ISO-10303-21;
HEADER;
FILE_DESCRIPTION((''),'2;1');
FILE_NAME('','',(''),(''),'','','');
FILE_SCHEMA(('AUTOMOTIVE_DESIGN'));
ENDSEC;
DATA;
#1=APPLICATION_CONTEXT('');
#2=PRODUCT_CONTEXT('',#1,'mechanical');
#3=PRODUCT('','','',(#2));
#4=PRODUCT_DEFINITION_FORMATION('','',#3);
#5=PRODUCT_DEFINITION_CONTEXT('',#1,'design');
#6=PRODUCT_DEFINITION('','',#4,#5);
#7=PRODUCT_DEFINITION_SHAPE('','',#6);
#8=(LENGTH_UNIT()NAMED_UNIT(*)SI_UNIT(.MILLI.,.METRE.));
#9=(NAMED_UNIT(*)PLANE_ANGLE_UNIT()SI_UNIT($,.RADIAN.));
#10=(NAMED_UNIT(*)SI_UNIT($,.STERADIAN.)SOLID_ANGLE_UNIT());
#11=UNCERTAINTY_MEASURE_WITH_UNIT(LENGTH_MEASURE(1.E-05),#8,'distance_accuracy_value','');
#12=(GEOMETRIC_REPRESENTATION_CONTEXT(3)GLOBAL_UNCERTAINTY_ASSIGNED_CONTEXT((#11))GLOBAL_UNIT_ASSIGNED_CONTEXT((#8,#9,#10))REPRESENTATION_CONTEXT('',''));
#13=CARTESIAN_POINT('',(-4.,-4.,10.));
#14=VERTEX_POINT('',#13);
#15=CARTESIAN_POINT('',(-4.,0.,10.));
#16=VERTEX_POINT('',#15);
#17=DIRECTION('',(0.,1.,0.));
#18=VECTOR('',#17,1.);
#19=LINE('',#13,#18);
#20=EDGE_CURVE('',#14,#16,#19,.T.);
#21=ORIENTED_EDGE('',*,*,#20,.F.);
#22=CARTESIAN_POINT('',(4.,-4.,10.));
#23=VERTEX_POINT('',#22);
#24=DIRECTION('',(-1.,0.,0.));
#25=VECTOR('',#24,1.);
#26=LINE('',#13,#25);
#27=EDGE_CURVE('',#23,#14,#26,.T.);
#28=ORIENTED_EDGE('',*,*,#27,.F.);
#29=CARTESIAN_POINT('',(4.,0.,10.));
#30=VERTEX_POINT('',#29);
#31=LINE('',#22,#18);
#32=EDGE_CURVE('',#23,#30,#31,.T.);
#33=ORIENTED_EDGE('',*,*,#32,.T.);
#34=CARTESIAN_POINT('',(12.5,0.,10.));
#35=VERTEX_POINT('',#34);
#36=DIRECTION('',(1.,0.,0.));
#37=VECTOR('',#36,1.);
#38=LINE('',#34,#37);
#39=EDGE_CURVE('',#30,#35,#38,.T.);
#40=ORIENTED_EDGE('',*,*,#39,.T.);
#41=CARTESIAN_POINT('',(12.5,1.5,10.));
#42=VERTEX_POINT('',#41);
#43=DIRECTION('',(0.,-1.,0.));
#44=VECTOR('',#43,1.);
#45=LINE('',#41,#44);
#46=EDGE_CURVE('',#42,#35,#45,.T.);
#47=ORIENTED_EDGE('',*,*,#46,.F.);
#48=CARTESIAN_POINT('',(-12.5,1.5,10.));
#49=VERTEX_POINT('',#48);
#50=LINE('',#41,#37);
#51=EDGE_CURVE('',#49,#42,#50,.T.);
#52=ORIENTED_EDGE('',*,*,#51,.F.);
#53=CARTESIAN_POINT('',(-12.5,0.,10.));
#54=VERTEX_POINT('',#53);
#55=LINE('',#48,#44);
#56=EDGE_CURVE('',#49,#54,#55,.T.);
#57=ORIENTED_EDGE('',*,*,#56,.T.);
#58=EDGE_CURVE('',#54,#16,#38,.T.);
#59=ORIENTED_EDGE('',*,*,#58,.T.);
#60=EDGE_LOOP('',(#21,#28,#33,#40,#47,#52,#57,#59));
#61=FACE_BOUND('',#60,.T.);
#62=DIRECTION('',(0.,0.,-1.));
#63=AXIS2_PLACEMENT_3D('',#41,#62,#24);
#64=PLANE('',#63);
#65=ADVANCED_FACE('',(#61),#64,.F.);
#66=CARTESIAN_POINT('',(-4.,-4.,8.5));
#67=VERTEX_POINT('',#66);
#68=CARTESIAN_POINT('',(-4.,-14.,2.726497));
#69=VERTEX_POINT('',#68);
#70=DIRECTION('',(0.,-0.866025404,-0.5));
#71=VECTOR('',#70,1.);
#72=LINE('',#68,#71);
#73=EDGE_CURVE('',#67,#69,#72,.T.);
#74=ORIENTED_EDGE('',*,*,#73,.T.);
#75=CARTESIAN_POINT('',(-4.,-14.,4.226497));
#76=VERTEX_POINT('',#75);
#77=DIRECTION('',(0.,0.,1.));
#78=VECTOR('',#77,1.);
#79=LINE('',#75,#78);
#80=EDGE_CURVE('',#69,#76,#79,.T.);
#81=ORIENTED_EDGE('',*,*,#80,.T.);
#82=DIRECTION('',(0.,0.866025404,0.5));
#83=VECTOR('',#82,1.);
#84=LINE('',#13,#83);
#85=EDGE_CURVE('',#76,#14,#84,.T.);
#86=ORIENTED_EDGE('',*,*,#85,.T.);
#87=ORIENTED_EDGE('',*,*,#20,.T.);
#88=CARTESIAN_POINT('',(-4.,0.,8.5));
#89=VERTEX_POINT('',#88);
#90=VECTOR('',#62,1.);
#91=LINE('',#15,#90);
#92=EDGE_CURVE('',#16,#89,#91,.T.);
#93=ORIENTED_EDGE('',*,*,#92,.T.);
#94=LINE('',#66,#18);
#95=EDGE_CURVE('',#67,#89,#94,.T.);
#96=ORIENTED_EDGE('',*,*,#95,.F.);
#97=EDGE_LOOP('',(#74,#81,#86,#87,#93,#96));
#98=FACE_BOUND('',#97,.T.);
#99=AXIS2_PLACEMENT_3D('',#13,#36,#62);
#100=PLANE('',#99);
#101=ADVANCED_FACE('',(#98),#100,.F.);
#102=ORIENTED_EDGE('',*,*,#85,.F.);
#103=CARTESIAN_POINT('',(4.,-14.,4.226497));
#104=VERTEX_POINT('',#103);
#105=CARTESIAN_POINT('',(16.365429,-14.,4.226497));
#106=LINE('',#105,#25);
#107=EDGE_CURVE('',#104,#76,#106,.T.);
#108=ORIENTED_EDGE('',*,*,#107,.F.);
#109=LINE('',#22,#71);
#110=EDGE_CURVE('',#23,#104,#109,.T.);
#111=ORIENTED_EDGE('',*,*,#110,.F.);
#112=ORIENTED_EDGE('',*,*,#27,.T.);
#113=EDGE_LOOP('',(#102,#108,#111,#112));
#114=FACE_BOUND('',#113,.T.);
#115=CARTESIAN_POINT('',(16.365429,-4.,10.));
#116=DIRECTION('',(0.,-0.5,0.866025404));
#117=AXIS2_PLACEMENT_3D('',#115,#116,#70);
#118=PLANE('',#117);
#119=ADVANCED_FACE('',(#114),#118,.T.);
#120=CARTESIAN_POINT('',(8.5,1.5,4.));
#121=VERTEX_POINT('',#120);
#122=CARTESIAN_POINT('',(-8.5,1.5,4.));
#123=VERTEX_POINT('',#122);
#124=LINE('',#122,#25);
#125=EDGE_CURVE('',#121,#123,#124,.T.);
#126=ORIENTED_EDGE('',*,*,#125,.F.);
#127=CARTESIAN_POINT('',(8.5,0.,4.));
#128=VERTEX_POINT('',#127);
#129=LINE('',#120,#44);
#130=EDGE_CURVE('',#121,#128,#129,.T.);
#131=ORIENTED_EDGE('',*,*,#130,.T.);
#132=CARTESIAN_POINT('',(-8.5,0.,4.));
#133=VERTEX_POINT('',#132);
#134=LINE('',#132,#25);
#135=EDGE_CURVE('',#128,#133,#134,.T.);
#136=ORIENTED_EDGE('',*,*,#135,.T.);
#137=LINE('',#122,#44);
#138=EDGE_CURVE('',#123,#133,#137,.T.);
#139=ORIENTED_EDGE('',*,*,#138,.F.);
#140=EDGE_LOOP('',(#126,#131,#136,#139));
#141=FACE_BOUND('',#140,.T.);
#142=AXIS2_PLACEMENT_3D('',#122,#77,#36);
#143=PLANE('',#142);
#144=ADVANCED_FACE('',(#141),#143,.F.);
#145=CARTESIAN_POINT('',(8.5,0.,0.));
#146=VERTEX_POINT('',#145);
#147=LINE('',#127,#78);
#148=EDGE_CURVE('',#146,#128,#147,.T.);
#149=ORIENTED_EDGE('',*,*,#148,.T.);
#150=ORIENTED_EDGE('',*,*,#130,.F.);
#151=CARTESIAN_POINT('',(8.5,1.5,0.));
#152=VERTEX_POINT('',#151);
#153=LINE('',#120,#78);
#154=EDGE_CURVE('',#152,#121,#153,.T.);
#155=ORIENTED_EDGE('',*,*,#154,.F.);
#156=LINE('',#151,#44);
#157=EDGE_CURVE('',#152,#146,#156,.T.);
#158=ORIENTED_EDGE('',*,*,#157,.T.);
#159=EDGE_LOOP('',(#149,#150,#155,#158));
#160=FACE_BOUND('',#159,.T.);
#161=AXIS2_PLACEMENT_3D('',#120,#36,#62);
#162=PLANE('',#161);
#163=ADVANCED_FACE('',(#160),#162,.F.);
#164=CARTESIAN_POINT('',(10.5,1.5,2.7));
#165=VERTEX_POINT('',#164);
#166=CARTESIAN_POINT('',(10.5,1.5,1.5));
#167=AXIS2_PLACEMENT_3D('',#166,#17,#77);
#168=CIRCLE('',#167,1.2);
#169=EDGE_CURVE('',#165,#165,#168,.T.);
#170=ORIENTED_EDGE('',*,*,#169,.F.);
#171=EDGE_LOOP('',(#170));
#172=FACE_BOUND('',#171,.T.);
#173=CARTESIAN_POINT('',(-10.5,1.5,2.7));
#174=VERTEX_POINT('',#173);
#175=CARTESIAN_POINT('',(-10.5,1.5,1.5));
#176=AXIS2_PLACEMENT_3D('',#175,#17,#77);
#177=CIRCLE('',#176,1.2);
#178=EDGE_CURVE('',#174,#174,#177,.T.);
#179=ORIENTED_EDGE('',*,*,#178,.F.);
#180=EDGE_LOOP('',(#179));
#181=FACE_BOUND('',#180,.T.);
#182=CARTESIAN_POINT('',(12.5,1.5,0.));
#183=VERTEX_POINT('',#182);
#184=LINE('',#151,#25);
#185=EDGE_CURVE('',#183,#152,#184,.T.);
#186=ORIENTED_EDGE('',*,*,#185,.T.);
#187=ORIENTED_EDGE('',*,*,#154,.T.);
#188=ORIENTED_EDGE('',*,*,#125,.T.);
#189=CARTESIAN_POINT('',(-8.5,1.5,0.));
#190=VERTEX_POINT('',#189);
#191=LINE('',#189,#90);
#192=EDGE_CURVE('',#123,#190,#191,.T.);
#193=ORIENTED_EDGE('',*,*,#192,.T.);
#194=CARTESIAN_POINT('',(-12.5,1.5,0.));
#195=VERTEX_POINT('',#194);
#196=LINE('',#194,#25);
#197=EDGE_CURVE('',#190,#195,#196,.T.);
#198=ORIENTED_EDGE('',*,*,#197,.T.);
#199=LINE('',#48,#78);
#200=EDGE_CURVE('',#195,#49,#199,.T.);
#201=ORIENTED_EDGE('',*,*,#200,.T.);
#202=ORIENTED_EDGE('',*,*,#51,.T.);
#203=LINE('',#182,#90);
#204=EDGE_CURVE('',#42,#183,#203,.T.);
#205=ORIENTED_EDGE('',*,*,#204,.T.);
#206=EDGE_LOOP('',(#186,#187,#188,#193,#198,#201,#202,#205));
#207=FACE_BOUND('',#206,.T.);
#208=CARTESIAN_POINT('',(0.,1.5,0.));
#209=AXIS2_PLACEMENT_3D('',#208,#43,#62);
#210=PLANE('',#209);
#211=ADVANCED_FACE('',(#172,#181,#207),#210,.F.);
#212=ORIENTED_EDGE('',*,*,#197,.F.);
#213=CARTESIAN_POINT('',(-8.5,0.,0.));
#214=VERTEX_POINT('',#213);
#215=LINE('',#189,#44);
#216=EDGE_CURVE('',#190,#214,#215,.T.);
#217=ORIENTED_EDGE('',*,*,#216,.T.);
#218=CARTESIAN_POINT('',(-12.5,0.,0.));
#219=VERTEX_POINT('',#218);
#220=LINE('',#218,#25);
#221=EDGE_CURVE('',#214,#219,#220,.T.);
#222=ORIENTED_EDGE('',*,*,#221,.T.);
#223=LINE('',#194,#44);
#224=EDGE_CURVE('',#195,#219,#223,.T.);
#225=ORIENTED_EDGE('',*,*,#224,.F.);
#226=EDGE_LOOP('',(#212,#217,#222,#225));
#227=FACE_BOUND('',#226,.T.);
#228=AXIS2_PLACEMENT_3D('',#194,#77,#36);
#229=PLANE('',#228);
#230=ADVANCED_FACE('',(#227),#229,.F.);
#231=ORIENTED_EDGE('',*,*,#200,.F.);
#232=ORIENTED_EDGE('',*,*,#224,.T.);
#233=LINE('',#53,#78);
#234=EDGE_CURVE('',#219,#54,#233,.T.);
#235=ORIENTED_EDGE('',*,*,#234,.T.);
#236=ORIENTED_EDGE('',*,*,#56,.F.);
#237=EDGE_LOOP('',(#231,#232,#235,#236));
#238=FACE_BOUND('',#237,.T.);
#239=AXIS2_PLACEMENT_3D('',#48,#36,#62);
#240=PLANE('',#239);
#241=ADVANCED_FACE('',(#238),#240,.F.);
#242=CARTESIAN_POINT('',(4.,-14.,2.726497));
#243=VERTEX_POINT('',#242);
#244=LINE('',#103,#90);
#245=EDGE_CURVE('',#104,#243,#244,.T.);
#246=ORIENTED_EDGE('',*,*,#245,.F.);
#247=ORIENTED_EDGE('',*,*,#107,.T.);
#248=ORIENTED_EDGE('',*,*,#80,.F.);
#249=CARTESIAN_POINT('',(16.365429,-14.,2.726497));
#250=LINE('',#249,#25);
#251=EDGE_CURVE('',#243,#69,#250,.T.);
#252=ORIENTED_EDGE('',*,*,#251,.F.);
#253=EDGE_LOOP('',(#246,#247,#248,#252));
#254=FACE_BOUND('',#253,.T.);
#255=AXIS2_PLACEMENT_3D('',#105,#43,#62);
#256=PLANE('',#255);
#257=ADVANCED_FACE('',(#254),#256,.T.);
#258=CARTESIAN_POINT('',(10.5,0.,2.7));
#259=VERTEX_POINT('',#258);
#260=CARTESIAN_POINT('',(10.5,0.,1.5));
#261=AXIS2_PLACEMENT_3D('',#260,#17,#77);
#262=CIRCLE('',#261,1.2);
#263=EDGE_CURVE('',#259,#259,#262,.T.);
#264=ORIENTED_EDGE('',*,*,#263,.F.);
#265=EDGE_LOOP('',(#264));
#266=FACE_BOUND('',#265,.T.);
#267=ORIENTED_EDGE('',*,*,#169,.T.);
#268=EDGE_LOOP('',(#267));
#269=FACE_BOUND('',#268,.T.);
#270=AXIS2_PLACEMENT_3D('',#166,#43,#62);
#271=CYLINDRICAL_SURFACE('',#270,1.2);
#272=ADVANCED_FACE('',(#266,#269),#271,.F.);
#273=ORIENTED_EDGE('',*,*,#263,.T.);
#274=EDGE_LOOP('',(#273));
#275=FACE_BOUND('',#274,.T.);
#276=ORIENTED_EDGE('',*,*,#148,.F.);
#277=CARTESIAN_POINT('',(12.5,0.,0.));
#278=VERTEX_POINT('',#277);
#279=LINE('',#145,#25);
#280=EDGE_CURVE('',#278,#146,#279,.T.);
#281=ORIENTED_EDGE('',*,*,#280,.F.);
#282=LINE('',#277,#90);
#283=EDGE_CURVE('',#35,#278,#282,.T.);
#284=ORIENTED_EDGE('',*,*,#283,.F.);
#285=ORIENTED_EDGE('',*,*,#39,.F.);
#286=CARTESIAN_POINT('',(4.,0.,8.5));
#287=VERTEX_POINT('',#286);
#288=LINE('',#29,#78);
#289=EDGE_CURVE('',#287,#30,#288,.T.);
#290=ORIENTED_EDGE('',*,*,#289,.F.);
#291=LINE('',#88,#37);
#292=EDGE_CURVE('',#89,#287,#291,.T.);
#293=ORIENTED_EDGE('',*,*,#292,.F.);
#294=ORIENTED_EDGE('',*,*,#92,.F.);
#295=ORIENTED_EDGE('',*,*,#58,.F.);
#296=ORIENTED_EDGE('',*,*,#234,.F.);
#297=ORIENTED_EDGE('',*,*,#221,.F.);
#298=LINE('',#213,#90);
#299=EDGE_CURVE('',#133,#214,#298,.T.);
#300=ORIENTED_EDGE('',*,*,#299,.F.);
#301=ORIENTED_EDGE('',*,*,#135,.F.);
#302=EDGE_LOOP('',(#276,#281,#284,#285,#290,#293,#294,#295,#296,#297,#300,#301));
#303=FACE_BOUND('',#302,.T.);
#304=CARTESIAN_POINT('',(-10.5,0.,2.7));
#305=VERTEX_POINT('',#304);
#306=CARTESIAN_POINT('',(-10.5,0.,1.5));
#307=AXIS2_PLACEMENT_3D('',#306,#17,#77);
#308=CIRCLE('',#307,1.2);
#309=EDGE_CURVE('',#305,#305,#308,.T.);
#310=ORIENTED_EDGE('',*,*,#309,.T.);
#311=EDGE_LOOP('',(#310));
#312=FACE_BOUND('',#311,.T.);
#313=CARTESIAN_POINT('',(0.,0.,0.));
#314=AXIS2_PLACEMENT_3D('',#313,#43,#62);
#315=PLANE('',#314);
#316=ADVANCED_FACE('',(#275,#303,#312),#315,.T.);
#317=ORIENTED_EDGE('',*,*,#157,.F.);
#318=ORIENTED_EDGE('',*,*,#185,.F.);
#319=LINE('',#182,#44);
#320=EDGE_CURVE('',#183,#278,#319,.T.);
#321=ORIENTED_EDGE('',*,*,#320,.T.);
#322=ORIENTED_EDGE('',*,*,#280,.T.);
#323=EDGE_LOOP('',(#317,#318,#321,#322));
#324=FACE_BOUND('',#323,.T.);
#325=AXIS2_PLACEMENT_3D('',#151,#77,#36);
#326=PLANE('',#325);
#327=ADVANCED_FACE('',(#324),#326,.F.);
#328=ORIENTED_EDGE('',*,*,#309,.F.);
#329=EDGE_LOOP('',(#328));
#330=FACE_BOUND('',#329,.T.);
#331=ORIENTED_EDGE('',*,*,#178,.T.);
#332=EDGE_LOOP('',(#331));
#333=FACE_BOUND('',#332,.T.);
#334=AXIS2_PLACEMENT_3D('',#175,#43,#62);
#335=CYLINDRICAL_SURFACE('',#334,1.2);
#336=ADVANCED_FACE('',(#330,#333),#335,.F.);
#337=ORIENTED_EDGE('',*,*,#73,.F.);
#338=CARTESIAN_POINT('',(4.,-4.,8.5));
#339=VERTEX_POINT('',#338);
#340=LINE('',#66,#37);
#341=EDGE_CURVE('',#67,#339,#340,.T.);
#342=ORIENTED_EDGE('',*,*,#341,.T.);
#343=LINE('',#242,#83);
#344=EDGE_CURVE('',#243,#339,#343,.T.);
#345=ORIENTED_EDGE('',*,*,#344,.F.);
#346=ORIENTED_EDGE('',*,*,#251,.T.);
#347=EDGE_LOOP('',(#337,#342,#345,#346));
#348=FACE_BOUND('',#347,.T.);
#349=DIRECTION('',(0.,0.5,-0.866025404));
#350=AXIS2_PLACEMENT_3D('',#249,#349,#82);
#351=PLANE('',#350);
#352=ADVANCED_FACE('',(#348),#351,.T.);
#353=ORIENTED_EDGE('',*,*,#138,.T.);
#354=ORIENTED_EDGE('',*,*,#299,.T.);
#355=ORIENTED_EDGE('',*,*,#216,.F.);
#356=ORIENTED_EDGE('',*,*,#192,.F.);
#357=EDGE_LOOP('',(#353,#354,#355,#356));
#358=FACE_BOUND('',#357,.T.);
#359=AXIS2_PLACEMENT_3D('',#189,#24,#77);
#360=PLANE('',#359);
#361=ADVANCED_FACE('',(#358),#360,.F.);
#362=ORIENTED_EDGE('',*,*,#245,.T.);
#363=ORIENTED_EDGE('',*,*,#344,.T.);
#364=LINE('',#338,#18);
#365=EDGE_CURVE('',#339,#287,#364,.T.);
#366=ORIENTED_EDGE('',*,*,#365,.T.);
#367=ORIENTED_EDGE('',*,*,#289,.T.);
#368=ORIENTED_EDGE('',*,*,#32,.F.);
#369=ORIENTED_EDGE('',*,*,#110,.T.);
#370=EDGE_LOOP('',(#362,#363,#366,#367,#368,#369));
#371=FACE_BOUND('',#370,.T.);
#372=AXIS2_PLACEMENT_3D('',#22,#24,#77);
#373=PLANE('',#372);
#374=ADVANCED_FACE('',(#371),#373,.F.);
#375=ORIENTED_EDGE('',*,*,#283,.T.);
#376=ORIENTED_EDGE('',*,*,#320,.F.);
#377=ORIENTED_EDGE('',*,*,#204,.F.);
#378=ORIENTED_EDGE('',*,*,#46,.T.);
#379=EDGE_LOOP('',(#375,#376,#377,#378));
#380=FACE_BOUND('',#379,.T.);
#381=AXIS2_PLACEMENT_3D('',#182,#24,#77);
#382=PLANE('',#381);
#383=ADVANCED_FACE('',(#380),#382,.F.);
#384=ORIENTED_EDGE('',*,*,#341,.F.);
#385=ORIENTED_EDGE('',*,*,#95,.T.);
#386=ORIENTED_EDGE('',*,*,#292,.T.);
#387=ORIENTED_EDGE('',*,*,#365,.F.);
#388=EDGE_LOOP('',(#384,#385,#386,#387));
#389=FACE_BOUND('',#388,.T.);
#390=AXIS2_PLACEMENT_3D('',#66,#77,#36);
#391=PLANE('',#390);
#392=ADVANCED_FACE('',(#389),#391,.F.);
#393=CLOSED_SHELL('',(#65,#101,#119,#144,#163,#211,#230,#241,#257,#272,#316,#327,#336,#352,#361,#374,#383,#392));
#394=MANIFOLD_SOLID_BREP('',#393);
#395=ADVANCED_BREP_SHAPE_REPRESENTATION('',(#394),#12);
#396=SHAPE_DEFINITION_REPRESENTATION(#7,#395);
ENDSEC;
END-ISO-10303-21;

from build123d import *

# Parameters (mm, degrees)
SKETCH1_R           = 1.2
BOSS_EXTRUDE1_DEPTH = 1.5
SKETCH2_W           = 8
SKETCH2_H           = 1.5
BOSS_EXTRUDE2_DEPTH = 4
BOSS_EXTRUDE3_DEPTH = 8


with BuildPart() as part:
    # Sketch1 → Boss-Extrude1 (new body)
    with BuildSketch(Plane(origin=(0, 0, 0), x_dir=(1, 0, 0), z_dir=(0, 1, 0))):
        Polygon((-8.5, 0), (-8.5, -4), (8.5, -4), (8.5, 0), (12.5, 0), (12.5, -10), (-12.5, -10), (-12.5, 0), align=None)
        with Locations(Location((-10.5, -1.5, 0), (0, 0, 270))):
            Circle(SKETCH1_R, mode=Mode.SUBTRACT)
        with Locations(Location((10.5, -1.5, 0), (0, 0, 270))):
            Circle(SKETCH1_R, mode=Mode.SUBTRACT)
    extrude(amount=BOSS_EXTRUDE1_DEPTH)

    # Sketch2 → Boss-Extrude2 (add)
    with BuildSketch(Plane.XZ):
        with Locations((0, 9.25)):
            Rectangle(SKETCH2_W, SKETCH2_H)
    extrude(amount=BOSS_EXTRUDE2_DEPTH)

    # Sketch3 → Boss-Extrude3 (add)
    with BuildSketch(Plane.ZY.offset(4)):
        Polygon((10, -4), (4.226497308, -14), (2.726497308, -14), (8.5, -4), align=None)
    extrude(amount=-BOSS_EXTRUDE3_DEPTH)


solid = part.part
